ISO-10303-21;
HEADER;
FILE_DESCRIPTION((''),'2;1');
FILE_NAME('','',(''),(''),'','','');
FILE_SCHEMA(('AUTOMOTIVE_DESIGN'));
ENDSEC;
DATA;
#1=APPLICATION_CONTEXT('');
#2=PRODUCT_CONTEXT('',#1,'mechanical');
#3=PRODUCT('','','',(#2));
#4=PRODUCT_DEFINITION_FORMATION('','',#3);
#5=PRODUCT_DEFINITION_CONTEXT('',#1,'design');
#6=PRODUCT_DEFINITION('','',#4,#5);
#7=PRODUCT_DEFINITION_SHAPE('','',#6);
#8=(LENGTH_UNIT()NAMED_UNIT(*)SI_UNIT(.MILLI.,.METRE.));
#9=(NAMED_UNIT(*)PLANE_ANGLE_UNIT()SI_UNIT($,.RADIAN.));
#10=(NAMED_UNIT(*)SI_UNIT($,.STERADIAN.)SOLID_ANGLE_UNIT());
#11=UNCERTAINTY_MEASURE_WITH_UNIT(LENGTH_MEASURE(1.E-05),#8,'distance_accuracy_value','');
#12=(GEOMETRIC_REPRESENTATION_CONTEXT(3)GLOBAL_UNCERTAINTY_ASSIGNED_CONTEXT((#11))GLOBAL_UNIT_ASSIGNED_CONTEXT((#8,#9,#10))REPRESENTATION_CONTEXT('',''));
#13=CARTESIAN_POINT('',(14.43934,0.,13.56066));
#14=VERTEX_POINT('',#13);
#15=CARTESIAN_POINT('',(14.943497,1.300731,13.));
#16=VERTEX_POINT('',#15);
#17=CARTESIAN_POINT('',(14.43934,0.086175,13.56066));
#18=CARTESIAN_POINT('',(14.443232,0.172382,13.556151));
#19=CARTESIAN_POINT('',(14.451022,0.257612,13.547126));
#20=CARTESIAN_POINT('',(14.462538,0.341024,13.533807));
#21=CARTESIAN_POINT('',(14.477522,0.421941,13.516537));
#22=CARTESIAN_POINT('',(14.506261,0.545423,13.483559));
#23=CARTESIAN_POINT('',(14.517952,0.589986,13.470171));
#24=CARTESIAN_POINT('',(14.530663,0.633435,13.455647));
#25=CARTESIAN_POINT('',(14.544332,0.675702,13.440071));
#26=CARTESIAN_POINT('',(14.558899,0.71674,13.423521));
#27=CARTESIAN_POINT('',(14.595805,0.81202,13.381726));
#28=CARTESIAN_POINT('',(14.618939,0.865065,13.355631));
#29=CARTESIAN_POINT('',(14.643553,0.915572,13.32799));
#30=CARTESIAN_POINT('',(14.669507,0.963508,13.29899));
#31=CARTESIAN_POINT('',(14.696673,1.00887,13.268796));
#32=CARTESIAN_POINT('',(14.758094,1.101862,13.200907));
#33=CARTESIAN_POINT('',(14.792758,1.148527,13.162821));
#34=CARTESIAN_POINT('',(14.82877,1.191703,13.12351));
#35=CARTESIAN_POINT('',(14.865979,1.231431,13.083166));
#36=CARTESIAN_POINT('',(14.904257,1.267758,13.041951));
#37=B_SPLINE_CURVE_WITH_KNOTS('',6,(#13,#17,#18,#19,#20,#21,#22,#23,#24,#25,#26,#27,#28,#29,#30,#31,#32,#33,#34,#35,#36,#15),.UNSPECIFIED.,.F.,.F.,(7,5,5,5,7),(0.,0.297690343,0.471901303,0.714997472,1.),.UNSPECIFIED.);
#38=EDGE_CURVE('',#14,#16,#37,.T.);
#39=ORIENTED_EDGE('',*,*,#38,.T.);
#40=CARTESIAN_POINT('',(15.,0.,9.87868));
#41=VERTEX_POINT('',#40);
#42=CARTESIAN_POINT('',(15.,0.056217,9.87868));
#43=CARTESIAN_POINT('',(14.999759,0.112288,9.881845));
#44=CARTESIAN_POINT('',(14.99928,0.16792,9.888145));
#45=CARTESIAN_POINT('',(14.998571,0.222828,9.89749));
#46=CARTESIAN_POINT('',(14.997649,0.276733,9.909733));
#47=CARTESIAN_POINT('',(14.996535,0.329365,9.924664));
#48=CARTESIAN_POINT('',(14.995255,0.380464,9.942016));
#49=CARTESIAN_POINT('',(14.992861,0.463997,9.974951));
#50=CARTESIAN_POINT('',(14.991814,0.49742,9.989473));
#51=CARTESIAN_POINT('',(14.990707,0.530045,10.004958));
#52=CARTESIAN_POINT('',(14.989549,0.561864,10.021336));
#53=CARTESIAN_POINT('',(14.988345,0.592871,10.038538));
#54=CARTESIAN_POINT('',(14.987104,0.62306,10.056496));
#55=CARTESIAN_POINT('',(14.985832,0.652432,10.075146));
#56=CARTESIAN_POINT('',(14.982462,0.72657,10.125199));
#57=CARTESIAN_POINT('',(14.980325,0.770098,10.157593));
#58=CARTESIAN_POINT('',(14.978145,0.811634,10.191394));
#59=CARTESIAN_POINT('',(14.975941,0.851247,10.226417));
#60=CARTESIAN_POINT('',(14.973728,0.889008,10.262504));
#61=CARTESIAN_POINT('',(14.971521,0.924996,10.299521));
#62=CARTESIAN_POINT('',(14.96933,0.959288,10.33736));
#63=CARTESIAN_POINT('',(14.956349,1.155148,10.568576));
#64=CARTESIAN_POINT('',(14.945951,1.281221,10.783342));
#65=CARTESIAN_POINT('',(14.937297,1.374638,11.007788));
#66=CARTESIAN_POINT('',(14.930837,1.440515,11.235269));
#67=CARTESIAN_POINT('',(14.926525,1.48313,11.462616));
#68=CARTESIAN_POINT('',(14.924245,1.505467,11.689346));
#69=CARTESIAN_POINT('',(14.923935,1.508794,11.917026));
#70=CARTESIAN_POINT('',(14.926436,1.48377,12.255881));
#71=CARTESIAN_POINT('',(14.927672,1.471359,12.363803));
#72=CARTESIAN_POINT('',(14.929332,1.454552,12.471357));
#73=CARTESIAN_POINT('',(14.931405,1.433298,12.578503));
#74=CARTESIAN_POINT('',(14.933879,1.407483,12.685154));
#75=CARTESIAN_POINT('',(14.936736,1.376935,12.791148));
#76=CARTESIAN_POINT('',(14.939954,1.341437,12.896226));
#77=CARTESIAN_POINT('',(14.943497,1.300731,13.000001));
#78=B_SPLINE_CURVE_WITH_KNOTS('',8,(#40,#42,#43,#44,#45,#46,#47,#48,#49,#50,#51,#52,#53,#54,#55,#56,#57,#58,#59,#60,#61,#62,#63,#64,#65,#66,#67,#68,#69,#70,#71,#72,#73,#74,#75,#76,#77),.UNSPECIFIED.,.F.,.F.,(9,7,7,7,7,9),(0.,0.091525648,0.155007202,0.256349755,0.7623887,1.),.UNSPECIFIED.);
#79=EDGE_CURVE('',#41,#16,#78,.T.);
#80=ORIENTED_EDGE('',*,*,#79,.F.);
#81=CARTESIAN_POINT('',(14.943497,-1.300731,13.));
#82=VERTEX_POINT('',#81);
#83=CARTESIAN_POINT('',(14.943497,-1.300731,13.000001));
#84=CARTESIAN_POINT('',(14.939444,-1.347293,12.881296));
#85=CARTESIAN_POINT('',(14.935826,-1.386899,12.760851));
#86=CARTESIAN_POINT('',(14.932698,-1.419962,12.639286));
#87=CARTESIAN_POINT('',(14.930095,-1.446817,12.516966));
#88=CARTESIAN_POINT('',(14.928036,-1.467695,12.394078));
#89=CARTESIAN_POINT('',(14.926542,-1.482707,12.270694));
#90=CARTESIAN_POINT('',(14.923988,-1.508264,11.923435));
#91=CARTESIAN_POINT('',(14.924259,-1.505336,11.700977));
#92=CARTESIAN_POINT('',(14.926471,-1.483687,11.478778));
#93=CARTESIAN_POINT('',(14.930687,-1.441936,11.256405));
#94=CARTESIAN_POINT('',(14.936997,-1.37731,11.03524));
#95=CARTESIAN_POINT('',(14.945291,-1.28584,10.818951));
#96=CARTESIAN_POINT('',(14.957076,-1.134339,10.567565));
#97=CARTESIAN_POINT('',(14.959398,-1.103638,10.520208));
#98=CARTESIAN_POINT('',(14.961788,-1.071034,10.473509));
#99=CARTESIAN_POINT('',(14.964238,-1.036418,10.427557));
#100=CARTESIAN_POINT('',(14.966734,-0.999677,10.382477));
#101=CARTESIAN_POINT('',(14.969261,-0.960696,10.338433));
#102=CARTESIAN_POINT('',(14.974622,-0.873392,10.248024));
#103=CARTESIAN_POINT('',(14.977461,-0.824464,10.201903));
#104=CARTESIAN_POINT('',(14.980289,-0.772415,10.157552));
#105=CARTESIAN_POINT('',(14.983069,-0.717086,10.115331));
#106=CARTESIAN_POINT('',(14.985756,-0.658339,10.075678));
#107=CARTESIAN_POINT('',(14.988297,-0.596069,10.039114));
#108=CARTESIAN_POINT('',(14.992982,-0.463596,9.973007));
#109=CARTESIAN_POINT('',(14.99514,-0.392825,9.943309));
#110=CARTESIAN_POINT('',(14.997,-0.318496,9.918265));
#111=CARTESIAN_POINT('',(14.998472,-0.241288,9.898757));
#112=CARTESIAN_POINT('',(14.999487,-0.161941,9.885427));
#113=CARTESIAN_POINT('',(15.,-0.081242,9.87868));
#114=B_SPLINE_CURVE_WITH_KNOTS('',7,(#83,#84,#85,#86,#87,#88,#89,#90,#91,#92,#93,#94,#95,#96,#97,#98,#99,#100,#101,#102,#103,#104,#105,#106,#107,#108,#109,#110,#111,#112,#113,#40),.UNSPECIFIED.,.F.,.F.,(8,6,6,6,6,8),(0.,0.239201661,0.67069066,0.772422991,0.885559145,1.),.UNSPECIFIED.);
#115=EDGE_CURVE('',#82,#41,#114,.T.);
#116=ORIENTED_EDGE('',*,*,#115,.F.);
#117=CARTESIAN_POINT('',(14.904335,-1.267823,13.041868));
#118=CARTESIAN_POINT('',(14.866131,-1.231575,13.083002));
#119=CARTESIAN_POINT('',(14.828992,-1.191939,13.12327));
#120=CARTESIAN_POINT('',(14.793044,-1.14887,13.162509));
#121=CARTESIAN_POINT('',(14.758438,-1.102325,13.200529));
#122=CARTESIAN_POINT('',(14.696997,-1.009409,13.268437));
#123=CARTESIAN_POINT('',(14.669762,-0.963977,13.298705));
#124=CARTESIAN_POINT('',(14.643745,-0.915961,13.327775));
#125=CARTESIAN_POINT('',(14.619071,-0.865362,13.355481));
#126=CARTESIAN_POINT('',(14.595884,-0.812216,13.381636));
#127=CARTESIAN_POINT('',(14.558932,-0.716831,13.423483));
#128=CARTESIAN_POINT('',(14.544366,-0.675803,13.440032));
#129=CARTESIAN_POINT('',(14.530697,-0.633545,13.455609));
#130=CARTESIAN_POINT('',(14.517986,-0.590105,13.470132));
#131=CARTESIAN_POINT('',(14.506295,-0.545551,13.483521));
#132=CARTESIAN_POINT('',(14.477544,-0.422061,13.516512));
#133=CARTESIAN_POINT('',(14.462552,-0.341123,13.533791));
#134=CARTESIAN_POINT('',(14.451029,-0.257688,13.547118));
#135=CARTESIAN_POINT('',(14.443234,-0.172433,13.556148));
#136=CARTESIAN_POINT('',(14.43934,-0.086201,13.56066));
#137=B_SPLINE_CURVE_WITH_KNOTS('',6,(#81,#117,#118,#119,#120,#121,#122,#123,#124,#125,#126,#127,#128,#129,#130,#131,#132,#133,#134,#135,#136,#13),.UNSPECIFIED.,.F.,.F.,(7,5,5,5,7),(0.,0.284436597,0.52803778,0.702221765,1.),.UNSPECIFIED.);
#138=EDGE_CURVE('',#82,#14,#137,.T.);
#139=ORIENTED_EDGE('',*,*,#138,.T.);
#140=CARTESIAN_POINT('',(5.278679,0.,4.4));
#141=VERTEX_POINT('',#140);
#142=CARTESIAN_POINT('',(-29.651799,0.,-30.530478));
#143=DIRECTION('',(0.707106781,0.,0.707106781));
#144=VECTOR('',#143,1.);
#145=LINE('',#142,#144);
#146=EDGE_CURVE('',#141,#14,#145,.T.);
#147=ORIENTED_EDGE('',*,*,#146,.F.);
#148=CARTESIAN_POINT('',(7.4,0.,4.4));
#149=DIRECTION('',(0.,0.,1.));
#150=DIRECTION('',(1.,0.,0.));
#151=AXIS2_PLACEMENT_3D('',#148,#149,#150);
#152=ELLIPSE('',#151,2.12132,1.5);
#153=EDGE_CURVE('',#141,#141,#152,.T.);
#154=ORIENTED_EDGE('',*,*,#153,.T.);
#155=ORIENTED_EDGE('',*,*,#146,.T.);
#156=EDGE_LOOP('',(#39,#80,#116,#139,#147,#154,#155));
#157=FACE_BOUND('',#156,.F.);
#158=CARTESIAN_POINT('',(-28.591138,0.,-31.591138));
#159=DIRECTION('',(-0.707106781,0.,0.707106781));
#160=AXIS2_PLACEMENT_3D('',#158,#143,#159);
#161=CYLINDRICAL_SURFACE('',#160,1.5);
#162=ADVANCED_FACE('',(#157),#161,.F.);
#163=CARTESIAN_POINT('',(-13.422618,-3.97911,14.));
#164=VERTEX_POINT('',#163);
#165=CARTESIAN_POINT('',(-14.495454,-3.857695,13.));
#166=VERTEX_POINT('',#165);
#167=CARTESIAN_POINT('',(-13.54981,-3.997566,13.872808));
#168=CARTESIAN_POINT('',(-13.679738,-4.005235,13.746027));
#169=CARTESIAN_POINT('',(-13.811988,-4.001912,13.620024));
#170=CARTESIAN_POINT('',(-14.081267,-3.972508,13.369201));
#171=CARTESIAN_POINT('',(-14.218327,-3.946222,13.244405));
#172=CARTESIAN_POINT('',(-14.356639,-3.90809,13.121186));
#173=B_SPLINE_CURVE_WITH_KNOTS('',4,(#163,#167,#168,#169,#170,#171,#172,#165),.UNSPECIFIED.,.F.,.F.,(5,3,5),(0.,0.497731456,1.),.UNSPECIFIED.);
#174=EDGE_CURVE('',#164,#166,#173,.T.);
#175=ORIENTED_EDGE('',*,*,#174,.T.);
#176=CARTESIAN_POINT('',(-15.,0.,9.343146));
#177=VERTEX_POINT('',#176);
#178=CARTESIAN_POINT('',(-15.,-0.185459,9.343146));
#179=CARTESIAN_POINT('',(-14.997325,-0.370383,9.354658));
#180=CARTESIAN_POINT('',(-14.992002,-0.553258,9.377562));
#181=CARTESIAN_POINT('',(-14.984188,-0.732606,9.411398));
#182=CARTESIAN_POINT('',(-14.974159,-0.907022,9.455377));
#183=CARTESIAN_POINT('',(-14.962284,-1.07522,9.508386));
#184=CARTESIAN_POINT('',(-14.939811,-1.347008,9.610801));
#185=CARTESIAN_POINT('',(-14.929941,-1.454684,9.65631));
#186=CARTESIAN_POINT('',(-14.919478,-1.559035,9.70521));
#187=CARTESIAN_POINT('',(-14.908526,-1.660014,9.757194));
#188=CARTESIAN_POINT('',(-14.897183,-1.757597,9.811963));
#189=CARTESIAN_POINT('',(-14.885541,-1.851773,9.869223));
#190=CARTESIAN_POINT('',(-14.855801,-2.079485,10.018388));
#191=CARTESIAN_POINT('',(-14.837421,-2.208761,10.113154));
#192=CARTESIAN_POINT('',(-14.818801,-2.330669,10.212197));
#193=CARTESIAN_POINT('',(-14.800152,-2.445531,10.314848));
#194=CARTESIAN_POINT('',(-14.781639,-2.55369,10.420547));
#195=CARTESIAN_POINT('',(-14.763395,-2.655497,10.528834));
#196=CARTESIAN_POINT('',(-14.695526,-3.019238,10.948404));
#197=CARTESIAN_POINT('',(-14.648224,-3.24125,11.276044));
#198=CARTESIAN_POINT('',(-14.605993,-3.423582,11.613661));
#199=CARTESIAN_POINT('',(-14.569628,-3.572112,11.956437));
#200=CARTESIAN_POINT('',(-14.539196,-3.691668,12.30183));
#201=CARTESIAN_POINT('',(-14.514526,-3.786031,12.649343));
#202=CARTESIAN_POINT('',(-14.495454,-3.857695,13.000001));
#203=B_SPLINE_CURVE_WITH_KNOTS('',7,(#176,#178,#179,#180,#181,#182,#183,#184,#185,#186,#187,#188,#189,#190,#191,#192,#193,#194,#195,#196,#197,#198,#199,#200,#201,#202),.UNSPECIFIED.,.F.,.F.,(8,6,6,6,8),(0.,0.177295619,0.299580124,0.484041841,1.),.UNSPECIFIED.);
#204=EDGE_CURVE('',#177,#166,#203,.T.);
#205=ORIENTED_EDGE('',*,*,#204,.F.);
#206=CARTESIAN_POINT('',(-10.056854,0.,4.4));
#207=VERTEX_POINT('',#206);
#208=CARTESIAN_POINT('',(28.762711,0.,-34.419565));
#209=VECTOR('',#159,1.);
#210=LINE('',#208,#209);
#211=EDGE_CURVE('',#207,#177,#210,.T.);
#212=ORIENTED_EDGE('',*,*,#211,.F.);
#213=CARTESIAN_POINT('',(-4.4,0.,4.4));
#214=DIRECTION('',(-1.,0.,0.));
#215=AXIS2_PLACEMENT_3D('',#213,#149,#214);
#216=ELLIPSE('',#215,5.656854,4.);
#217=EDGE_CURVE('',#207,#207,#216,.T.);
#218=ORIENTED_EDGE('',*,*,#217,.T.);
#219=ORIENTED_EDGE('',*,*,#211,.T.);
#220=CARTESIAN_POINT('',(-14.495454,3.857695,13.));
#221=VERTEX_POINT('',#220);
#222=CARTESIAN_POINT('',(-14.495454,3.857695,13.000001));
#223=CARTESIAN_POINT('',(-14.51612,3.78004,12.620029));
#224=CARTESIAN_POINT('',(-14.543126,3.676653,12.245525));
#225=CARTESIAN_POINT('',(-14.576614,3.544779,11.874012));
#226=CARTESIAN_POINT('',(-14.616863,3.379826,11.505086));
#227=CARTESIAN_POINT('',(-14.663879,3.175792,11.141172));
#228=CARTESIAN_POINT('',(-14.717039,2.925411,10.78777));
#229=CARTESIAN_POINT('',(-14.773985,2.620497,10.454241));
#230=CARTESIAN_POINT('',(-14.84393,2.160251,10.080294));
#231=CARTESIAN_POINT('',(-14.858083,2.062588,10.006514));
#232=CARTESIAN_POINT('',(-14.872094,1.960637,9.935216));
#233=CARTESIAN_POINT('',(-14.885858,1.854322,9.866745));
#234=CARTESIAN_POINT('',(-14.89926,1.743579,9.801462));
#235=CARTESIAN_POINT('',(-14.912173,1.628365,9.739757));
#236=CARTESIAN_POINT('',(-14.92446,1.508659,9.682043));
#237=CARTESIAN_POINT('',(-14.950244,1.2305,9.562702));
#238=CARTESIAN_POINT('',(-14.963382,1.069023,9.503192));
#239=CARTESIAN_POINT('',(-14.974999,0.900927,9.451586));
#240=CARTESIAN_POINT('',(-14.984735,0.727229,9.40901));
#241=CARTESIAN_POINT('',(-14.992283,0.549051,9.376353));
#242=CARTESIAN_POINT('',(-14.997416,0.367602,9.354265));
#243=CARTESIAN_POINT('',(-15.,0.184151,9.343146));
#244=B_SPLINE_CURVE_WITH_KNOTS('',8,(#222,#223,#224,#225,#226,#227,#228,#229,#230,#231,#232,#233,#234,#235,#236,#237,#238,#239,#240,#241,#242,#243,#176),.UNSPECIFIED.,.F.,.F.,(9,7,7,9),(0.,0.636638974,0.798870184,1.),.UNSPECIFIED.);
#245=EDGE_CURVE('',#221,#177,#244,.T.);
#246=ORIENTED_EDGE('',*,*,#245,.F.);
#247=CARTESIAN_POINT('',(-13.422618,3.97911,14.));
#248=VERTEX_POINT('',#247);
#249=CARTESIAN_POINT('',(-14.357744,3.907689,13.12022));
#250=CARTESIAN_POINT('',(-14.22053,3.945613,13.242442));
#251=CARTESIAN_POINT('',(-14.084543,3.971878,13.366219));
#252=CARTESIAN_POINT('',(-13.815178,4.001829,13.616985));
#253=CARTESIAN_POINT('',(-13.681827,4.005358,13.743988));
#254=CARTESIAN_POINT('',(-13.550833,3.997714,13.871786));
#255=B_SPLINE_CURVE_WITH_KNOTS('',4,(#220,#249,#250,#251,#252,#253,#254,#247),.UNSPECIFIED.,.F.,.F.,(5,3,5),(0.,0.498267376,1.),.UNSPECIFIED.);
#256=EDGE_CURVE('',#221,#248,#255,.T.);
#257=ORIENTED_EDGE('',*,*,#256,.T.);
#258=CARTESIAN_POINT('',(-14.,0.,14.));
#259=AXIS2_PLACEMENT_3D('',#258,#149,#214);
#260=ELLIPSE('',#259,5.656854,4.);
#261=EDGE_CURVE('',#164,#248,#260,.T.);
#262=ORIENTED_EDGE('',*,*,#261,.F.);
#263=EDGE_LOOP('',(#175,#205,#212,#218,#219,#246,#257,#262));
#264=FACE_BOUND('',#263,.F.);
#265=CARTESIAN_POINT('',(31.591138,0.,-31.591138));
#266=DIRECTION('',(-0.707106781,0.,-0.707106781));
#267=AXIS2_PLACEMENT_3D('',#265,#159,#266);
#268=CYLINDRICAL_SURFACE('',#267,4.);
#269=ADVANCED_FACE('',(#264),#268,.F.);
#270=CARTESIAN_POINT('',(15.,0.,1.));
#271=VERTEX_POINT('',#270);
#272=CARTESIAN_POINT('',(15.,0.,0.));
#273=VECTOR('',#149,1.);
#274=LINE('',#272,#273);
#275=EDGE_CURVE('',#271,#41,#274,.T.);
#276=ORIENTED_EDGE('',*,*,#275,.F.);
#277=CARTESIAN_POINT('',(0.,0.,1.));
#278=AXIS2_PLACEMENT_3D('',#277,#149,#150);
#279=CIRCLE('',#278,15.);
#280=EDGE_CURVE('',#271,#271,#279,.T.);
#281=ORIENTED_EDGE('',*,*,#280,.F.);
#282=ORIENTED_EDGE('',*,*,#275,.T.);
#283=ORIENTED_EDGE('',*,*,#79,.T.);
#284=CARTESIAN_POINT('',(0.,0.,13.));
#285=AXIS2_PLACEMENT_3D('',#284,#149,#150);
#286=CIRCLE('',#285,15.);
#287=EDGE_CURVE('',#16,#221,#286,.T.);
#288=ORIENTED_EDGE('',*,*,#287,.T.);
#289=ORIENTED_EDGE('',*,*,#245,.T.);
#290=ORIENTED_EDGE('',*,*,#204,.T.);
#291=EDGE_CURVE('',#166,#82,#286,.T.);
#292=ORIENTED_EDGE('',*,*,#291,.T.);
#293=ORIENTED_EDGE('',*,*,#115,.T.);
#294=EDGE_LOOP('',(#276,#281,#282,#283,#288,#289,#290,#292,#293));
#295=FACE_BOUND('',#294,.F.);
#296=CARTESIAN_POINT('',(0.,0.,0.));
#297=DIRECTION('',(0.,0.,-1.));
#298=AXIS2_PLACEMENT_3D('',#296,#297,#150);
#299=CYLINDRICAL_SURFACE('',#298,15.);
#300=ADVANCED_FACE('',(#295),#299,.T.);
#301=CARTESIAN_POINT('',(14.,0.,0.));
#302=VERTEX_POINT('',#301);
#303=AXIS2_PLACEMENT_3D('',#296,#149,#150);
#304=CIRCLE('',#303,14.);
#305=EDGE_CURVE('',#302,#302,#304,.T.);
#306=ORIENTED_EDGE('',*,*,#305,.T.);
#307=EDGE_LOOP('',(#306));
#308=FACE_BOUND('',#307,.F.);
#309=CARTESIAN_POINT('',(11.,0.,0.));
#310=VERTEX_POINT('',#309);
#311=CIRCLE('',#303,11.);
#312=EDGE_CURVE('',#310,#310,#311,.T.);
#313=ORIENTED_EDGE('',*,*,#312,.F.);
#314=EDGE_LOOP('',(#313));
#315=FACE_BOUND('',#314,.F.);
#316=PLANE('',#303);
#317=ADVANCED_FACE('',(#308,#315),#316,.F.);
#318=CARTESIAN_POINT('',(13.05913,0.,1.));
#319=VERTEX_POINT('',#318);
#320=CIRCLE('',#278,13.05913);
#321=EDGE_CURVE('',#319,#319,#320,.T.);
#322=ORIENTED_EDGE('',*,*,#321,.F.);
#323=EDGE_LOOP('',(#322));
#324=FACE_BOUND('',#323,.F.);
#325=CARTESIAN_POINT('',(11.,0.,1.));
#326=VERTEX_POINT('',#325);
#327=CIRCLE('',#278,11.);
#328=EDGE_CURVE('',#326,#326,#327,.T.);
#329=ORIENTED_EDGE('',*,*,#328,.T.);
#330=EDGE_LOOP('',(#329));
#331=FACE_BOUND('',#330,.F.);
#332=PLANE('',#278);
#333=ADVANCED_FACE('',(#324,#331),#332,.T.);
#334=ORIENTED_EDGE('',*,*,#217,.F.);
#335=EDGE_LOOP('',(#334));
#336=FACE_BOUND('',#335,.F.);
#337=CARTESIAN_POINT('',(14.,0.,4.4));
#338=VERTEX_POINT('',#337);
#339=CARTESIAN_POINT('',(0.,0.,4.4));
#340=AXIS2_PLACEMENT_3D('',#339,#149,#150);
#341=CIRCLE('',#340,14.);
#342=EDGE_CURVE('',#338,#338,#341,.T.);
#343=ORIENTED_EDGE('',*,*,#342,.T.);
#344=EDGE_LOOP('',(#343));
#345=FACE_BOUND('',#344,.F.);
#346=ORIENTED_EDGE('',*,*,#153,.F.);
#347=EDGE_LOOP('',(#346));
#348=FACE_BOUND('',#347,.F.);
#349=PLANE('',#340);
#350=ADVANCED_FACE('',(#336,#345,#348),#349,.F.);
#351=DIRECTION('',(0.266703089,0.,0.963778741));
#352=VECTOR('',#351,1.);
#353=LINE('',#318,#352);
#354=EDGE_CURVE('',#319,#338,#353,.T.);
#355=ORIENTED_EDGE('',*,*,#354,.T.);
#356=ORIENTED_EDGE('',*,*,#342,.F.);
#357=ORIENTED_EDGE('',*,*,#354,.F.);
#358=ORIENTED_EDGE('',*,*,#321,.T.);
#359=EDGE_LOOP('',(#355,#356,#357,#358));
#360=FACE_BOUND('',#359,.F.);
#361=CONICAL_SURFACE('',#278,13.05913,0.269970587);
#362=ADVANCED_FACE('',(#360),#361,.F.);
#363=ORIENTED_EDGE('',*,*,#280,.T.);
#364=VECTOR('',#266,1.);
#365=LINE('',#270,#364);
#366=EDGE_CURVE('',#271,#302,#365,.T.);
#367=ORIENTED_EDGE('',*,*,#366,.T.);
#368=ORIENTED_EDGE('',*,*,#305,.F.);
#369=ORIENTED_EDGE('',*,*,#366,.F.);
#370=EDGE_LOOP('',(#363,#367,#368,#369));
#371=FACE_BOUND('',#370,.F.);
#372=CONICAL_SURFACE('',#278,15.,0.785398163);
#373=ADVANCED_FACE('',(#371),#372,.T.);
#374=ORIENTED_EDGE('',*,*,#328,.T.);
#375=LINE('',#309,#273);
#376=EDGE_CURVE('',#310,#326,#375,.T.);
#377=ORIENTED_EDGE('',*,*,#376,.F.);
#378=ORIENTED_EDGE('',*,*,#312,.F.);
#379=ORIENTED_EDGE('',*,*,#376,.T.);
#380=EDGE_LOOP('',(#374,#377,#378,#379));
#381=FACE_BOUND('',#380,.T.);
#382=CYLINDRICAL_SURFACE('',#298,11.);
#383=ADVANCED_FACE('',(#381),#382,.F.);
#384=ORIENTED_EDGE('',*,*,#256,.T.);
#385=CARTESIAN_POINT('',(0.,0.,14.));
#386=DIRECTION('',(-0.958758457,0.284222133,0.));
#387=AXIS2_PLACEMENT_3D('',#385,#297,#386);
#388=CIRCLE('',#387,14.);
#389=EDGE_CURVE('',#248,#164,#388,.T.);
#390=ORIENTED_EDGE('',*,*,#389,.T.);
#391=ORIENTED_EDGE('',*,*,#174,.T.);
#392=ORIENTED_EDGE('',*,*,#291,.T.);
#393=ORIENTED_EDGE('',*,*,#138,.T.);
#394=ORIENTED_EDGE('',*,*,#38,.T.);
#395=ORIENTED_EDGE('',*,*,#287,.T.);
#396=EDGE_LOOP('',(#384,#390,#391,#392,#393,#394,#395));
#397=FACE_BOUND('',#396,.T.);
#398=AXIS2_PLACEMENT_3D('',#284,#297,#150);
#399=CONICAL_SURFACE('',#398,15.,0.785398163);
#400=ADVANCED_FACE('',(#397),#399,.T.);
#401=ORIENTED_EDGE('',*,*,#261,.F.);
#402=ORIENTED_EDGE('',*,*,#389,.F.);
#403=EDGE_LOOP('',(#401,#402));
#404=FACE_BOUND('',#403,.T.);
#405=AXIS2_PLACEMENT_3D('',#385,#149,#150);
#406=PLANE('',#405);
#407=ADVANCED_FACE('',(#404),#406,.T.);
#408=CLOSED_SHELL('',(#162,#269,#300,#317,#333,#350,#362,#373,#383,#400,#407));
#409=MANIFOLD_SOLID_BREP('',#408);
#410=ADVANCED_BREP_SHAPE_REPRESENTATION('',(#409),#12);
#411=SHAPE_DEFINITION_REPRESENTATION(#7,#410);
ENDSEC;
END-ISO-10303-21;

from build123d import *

# Parameters (mm, degrees)
F0_R     = 15
F1_DEPTH = 14
F2_SIZE  = 1
F3_R     = 11
F4_DEPTH = 4.4
F10_D    = 8
F13_D    = 3


with BuildPart() as f1:
    # F0 (on Top) → F1 (new body)
    with BuildSketch(Plane.XY):
        Circle(F0_R)
    extrude(amount=F1_DEPTH)

    # F2
    f2_edges = [f1.edges().sort_by_distance(p)[0] for p in [
        (-15, 0, 14),
        (-15, 0, 0),
    ]]
    chamfer(f2_edges, length=F2_SIZE)

    # F3 (on Top) → F4 (cut)
    with BuildSketch(Plane.XY):
        Circle(F3_R)
    extrude(amount=F4_DEPTH, mode=Mode.SUBTRACT)

    # F5 (on Front) → F6 (revolve, cut)
    with BuildSketch(Plane.XZ):
        Polygon((14, 4.4), (11, 4.4), (11, 1), (13.05913, 1), align=None)
    revolve(axis=Axis((0, 0, 2.2), (0, 0, 1)), mode=Mode.SUBTRACT)

    # F10 (through all)
    with Locations(Plane(origin=(0, 0, 0), x_dir=(0.707107, 0, 0.707107), z_dir=(0.707107, 0, -0.707107))):
        with Locations((0, 0)):
            Hole(F10_D / 2)

    # F13 (through all)
    with Locations(Plane(origin=(1.5, 0, 1.5), x_dir=(0.707107, 0, -0.707107), z_dir=(-0.707107, 0, -0.707107))):
        with Locations((2.12132, 0)):
            Hole(F13_D / 2)


solid = f1.part
